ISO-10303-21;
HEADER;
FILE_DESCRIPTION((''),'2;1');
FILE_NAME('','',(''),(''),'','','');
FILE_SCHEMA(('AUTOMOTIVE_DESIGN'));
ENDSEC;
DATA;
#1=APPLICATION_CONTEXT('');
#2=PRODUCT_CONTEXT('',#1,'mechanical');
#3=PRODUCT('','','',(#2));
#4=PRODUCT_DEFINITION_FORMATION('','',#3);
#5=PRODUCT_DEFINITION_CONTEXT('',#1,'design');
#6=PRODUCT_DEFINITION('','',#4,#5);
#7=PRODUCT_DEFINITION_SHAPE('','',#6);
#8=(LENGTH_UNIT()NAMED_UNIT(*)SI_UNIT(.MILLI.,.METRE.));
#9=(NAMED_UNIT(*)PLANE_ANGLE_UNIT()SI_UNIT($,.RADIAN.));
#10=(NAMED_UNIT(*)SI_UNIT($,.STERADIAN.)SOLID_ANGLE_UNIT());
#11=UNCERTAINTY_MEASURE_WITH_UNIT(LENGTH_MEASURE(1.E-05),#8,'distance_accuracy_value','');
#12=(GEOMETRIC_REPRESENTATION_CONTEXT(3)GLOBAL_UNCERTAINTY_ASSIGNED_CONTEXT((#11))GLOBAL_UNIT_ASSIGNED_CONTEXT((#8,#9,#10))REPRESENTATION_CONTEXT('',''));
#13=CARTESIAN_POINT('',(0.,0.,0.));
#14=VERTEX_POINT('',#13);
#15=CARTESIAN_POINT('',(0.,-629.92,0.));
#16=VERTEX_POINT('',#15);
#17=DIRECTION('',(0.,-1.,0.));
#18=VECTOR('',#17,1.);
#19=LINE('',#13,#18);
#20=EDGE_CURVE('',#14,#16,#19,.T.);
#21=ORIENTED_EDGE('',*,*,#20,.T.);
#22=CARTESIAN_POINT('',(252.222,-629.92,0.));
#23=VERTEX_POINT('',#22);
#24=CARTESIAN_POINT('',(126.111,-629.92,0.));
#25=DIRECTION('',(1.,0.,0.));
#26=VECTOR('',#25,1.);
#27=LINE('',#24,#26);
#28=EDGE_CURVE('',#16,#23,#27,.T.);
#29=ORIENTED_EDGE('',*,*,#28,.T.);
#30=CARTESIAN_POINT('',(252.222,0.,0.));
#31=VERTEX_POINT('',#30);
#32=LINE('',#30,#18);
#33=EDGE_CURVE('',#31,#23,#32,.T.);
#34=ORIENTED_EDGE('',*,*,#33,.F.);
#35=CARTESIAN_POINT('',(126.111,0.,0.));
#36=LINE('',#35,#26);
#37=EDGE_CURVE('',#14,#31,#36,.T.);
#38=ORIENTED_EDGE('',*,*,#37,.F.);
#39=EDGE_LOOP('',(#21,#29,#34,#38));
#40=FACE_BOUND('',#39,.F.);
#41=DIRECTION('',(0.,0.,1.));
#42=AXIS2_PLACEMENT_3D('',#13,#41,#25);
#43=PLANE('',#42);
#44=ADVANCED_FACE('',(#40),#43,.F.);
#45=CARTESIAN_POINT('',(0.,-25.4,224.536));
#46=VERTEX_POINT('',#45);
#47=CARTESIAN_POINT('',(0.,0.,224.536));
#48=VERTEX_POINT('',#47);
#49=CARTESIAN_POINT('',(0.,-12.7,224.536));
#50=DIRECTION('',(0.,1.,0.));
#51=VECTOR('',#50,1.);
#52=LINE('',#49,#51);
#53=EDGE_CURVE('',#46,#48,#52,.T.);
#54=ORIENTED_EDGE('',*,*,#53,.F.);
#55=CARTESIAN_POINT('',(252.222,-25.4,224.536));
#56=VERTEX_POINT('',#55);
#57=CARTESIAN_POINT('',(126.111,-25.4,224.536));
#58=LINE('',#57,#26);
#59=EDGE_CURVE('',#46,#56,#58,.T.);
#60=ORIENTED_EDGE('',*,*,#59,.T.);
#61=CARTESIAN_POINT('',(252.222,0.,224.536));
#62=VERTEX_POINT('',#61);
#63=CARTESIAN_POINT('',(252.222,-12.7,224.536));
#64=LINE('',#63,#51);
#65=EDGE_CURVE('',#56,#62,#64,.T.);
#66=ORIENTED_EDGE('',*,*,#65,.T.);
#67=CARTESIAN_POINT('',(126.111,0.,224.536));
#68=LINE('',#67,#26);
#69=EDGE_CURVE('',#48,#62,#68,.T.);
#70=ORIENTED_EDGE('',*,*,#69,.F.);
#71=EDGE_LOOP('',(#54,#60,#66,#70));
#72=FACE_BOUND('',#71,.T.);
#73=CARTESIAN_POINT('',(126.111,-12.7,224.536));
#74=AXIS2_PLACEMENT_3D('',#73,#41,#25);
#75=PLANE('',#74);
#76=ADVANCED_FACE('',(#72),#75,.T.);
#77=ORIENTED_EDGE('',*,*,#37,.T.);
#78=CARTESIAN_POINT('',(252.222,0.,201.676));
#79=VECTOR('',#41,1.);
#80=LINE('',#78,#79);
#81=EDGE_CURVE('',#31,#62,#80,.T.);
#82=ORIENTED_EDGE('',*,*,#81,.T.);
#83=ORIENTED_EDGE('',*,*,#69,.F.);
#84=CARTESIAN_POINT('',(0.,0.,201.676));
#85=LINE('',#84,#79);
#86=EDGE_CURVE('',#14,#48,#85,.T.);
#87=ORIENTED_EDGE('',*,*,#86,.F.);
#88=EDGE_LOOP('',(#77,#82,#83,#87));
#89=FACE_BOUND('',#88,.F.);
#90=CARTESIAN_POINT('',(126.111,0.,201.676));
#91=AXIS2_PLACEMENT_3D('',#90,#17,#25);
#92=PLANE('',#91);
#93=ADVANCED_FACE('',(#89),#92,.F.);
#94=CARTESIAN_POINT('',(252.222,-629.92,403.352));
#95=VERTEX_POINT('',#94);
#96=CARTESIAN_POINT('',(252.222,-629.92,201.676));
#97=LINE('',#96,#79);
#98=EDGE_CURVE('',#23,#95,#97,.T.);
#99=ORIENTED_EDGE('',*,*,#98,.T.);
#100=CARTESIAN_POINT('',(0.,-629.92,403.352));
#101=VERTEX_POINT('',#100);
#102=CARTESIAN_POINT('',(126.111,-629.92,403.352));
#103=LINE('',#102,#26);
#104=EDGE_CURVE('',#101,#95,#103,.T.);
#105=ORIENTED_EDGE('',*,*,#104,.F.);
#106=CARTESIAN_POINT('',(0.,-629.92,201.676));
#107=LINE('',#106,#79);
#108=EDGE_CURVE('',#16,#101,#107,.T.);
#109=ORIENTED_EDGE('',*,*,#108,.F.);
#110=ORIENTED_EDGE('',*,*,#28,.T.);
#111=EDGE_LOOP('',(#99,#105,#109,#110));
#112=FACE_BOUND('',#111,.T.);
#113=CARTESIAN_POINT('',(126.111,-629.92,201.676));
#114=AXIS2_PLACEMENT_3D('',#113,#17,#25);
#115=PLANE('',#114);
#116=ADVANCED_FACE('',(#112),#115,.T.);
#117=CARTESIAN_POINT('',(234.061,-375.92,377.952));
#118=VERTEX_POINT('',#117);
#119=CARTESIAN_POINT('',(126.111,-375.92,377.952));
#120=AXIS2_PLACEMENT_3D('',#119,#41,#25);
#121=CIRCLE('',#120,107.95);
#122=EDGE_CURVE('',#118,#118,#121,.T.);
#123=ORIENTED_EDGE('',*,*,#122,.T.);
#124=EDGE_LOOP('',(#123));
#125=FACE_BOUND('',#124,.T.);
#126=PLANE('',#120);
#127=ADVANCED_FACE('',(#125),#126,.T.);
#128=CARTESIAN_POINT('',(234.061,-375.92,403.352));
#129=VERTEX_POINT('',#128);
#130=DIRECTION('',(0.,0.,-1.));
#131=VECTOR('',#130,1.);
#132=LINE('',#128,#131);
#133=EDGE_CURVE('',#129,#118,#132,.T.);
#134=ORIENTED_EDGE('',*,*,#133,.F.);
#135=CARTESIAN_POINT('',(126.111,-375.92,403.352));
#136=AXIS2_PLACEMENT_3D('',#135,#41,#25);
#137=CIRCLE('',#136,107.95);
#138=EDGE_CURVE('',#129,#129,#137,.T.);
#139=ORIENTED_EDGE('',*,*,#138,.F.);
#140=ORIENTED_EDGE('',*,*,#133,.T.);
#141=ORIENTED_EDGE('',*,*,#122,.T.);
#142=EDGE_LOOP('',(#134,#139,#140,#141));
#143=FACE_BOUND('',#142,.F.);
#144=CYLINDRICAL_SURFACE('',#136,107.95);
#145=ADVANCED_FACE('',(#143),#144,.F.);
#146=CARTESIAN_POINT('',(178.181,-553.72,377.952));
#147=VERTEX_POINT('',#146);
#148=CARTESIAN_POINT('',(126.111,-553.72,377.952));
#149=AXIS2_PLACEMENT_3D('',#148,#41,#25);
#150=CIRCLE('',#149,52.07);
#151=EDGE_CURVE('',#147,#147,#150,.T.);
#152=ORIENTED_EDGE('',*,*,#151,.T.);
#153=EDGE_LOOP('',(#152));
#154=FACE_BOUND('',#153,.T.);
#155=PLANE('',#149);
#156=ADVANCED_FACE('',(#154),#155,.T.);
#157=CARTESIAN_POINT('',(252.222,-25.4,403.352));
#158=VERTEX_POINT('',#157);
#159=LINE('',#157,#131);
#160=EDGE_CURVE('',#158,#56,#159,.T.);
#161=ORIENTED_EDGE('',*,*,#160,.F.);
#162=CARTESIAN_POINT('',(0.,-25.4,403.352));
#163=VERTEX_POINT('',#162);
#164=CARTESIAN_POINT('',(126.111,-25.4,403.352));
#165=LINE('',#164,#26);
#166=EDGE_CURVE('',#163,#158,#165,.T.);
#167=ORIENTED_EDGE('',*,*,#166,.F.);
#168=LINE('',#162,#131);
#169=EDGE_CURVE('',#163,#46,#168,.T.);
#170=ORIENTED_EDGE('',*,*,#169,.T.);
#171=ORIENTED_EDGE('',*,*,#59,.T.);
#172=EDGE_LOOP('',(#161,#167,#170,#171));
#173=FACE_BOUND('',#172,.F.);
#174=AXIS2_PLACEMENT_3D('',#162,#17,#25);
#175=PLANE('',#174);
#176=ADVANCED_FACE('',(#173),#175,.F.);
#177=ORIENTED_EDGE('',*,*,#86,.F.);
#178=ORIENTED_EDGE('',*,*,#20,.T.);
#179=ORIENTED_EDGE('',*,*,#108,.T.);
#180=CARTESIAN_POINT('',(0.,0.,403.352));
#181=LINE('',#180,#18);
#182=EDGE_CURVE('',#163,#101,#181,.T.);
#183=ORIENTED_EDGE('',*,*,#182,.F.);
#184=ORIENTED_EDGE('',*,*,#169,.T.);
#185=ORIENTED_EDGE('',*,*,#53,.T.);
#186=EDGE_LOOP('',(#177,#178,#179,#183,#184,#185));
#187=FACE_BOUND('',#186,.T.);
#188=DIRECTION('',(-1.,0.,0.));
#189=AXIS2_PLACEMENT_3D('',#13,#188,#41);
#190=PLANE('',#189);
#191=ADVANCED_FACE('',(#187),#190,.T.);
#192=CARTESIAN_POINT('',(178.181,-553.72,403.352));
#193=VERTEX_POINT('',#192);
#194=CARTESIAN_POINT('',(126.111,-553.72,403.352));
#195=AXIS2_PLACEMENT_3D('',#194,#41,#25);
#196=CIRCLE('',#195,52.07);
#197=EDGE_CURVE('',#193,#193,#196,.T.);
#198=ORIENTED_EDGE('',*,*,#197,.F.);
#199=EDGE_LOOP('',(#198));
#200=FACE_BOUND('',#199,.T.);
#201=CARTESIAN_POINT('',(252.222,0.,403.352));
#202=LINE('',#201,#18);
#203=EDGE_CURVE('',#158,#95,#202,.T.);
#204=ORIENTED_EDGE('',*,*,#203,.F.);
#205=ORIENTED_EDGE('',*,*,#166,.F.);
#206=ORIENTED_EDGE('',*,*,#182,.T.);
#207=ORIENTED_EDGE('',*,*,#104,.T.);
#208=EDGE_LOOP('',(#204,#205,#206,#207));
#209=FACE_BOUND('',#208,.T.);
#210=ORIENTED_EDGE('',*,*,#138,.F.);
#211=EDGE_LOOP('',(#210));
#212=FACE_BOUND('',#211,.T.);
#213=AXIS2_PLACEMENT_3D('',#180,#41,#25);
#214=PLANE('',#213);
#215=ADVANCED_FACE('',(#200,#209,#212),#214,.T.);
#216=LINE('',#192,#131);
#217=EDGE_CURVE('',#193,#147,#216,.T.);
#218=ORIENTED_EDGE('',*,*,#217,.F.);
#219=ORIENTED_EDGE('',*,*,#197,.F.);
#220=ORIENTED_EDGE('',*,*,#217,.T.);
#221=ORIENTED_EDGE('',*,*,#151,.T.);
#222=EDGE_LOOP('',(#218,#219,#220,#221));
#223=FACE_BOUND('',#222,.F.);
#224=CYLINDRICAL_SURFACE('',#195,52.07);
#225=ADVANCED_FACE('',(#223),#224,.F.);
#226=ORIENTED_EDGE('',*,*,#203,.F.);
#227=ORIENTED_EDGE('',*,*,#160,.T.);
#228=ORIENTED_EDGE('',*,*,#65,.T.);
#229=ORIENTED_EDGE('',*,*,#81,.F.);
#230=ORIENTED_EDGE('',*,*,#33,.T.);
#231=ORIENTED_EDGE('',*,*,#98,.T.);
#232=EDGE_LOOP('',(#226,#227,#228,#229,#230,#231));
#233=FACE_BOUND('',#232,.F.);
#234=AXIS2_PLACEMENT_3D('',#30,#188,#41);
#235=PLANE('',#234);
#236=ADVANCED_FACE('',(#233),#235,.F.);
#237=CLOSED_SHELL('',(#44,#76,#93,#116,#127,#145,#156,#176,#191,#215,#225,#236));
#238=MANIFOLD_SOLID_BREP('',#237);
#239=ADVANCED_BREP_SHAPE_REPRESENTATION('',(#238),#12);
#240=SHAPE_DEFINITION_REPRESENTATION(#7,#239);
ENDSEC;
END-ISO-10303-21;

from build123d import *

# Parameters (mm, degrees)
F0_W     = 252.222
F0_H     = 403.352
F1_DEPTH = 629.92
F2_R     = 52.07
F2_R_2   = 107.95
F3_DEPTH = 25.4
F5_W     = 252.222
F5_H     = 25.4
F6_DEPTH = 178.816


with BuildPart() as f1:
    # F0 (on Front) → F1 (new body)
    with BuildSketch(Plane.XZ):
        with Locations((126.111, 201.676)):
            Rectangle(F0_W, F0_H)
    extrude(amount=F1_DEPTH)

    # F2 (on face) → F3 (cut)
    with BuildSketch(Plane.XY.offset(403.352)):
        with Locations((126.111, -553.72)):
            Circle(F2_R)
        with Locations((126.111, -375.92)):
            Circle(F2_R_2)
    extrude(amount=-F3_DEPTH, mode=Mode.SUBTRACT)

    # F5 (on face) → F6 (cut)
    with BuildSketch(Plane.XY.offset(403.352)):
        with Locations((126.111, -12.7)):
            Rectangle(F5_W, F5_H)
    extrude(amount=-F6_DEPTH, mode=Mode.SUBTRACT)


solid = f1.part
